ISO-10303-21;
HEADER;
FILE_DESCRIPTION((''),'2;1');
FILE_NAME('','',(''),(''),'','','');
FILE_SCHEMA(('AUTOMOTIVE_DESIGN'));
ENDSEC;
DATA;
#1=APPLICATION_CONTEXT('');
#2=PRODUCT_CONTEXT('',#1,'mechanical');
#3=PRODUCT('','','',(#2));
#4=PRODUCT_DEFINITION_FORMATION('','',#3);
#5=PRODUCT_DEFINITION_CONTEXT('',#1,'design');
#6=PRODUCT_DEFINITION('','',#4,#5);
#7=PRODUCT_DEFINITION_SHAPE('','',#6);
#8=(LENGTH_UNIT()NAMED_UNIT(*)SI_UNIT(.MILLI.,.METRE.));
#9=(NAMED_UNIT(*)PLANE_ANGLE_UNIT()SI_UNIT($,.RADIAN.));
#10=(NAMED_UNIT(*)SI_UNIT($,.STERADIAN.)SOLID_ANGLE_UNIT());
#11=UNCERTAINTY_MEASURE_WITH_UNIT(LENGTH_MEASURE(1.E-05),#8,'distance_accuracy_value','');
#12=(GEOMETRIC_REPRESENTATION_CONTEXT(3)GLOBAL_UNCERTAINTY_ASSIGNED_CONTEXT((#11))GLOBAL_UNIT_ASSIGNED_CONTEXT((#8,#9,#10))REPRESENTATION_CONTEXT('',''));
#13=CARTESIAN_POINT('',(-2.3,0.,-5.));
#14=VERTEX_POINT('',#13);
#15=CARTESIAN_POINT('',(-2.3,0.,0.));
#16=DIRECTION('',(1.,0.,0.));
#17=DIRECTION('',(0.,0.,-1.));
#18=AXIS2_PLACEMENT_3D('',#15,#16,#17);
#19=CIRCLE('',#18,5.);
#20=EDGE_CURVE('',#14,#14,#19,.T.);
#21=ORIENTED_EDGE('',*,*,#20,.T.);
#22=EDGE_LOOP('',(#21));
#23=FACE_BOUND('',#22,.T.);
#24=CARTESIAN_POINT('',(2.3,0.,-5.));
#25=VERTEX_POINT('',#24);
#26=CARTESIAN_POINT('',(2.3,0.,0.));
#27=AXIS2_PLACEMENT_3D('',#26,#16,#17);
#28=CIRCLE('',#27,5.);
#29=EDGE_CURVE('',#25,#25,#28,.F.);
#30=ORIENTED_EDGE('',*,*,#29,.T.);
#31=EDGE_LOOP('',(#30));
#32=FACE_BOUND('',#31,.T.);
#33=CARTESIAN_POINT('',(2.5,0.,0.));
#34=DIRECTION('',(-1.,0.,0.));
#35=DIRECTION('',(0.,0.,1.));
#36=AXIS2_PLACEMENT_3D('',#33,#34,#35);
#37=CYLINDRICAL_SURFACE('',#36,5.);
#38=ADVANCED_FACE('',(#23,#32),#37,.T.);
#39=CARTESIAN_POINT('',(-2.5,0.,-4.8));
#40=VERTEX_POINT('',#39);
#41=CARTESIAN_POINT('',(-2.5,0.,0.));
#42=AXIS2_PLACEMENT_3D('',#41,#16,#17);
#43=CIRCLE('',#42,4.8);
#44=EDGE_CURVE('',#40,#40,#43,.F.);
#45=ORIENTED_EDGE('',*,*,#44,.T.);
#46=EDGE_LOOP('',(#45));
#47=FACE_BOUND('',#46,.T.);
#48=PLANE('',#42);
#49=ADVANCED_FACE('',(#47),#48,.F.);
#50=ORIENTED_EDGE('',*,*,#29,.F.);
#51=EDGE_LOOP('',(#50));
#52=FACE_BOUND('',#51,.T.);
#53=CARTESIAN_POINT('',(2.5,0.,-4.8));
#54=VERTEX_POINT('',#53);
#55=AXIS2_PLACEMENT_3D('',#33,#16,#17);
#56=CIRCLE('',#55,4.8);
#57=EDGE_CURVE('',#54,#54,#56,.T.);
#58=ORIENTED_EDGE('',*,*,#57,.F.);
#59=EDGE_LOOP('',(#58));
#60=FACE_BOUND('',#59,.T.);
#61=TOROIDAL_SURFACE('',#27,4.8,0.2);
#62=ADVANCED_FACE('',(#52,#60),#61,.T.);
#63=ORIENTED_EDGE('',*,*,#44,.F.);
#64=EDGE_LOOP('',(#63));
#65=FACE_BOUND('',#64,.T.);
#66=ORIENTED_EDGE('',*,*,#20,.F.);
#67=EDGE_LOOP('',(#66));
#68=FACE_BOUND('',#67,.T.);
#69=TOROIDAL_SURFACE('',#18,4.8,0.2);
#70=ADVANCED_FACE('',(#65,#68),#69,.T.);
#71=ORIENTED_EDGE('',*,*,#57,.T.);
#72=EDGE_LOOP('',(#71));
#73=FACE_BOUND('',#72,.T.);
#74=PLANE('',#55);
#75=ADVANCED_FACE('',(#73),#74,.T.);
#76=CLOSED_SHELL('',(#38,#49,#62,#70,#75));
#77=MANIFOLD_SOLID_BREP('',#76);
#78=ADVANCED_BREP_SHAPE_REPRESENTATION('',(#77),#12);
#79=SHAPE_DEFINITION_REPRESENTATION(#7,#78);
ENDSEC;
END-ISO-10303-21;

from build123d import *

# Parameters (mm, degrees)
SKETCH1_R           = 5
BOSS_EXTRUDE1_DEPTH = 2.5
FILLET1_R           = 0.2


with BuildPart() as part:
    # Sketch1 → Boss-Extrude1 (new body, symmetric)
    with BuildSketch(Plane(origin=(0, 0, 0), x_dir=(0, 0, -1), z_dir=(1, 0, 0))):
        Circle(SKETCH1_R)
    extrude(amount=BOSS_EXTRUDE1_DEPTH, both=True)

    # Fillet1
    fillet1_edges = [part.edges().sort_by_distance(p)[0] for p in [
        (-2.5, 0, 5),
        (2.5, 0, 5),
    ]]
    fillet(fillet1_edges, radius=FILLET1_R)


solid = part.part
